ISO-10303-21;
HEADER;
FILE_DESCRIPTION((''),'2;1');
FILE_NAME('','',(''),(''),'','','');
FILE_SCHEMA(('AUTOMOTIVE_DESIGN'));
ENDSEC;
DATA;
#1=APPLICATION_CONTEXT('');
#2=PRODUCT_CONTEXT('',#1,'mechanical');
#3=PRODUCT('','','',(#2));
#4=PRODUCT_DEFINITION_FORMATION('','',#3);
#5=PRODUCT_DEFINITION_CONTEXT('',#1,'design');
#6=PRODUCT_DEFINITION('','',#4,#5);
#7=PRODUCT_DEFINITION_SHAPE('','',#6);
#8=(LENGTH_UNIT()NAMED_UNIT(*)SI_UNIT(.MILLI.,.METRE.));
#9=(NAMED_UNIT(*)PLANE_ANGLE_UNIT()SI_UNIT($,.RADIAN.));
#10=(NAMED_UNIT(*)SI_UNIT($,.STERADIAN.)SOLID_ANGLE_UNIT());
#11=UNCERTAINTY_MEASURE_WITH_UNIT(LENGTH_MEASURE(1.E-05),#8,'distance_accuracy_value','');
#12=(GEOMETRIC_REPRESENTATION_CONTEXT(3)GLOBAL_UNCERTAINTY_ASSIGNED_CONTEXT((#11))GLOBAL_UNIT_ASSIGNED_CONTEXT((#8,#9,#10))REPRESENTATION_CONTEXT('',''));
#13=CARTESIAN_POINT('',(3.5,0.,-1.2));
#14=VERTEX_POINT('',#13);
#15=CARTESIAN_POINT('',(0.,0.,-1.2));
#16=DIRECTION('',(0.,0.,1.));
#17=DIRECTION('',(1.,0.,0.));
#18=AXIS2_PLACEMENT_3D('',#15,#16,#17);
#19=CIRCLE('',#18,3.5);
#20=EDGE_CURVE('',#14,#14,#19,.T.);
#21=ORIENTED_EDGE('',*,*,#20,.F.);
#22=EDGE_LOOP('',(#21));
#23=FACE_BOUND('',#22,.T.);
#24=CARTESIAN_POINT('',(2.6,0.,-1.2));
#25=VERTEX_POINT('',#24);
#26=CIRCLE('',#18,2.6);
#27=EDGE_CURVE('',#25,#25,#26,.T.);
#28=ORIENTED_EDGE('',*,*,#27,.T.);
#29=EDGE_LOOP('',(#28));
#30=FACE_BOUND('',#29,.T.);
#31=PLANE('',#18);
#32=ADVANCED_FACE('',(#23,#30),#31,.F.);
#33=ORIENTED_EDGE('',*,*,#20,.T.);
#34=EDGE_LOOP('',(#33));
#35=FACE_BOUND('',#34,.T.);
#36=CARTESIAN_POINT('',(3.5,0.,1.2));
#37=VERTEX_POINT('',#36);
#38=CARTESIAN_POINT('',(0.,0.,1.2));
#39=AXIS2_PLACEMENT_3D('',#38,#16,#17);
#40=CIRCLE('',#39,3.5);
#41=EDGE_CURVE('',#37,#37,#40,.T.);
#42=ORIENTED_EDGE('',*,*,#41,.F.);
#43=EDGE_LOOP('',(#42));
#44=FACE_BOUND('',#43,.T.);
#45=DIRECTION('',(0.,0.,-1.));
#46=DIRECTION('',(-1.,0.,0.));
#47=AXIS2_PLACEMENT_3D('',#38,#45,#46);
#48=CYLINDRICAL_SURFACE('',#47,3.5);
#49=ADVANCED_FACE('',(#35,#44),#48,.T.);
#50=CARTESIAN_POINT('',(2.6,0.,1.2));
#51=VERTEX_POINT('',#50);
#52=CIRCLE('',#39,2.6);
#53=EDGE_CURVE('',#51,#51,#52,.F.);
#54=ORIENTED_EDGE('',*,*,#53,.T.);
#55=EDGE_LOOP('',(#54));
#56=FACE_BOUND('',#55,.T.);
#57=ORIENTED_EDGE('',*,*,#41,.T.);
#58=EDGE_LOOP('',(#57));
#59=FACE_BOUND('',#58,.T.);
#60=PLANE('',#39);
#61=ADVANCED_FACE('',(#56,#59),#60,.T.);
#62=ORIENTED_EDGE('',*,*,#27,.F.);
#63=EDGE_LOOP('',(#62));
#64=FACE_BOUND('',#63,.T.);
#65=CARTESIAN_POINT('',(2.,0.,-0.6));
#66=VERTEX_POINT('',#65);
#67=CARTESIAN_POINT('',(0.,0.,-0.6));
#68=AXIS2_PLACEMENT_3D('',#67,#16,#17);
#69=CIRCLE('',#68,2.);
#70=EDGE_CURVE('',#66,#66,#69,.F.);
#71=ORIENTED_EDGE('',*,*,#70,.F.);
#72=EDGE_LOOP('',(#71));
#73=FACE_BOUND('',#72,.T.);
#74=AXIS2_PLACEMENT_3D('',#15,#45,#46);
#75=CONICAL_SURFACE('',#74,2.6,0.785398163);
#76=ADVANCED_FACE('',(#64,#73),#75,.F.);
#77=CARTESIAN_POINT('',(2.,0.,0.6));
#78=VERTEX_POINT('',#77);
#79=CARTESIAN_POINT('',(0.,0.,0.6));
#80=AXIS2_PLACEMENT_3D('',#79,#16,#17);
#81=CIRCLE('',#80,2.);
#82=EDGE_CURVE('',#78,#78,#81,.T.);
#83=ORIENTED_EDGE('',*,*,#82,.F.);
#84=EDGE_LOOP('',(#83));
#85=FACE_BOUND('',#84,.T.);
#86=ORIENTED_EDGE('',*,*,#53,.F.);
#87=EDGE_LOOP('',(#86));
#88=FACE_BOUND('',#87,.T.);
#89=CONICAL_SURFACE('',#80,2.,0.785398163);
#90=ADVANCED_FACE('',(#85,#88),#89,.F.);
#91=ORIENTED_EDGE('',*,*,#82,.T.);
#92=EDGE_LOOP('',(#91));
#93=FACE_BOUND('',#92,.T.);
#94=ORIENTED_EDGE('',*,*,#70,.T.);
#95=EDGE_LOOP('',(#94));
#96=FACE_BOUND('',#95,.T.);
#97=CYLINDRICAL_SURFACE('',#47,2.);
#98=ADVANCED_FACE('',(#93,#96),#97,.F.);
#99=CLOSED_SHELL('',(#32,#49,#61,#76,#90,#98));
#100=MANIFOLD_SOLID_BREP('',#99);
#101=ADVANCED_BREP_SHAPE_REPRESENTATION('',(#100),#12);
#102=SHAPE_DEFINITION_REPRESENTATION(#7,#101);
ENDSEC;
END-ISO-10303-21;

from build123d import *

# Parameters (mm, degrees)
SKETCH1_R           = 3.5
SKETCH1_R_2         = 2
BOSS_EXTRUDE1_DEPTH = 1.2
CHAMFER1_SIZE       = 0.6


with BuildPart() as part:
    # Sketch1 → Boss-Extrude1 (new, symmetric)
    with BuildSketch(Plane.XY):
        Circle(SKETCH1_R)
        Circle(SKETCH1_R_2, mode=Mode.SUBTRACT)
    extrude(amount=BOSS_EXTRUDE1_DEPTH, both=True)

    # Chamfer1
    chamfer1_edges = [part.edges().sort_by_distance(p)[0] for p in [
        (-2, 0, -1.2),
        (-2, 0, 1.2),
    ]]
    chamfer(chamfer1_edges, length=CHAMFER1_SIZE)


solid = part.part
